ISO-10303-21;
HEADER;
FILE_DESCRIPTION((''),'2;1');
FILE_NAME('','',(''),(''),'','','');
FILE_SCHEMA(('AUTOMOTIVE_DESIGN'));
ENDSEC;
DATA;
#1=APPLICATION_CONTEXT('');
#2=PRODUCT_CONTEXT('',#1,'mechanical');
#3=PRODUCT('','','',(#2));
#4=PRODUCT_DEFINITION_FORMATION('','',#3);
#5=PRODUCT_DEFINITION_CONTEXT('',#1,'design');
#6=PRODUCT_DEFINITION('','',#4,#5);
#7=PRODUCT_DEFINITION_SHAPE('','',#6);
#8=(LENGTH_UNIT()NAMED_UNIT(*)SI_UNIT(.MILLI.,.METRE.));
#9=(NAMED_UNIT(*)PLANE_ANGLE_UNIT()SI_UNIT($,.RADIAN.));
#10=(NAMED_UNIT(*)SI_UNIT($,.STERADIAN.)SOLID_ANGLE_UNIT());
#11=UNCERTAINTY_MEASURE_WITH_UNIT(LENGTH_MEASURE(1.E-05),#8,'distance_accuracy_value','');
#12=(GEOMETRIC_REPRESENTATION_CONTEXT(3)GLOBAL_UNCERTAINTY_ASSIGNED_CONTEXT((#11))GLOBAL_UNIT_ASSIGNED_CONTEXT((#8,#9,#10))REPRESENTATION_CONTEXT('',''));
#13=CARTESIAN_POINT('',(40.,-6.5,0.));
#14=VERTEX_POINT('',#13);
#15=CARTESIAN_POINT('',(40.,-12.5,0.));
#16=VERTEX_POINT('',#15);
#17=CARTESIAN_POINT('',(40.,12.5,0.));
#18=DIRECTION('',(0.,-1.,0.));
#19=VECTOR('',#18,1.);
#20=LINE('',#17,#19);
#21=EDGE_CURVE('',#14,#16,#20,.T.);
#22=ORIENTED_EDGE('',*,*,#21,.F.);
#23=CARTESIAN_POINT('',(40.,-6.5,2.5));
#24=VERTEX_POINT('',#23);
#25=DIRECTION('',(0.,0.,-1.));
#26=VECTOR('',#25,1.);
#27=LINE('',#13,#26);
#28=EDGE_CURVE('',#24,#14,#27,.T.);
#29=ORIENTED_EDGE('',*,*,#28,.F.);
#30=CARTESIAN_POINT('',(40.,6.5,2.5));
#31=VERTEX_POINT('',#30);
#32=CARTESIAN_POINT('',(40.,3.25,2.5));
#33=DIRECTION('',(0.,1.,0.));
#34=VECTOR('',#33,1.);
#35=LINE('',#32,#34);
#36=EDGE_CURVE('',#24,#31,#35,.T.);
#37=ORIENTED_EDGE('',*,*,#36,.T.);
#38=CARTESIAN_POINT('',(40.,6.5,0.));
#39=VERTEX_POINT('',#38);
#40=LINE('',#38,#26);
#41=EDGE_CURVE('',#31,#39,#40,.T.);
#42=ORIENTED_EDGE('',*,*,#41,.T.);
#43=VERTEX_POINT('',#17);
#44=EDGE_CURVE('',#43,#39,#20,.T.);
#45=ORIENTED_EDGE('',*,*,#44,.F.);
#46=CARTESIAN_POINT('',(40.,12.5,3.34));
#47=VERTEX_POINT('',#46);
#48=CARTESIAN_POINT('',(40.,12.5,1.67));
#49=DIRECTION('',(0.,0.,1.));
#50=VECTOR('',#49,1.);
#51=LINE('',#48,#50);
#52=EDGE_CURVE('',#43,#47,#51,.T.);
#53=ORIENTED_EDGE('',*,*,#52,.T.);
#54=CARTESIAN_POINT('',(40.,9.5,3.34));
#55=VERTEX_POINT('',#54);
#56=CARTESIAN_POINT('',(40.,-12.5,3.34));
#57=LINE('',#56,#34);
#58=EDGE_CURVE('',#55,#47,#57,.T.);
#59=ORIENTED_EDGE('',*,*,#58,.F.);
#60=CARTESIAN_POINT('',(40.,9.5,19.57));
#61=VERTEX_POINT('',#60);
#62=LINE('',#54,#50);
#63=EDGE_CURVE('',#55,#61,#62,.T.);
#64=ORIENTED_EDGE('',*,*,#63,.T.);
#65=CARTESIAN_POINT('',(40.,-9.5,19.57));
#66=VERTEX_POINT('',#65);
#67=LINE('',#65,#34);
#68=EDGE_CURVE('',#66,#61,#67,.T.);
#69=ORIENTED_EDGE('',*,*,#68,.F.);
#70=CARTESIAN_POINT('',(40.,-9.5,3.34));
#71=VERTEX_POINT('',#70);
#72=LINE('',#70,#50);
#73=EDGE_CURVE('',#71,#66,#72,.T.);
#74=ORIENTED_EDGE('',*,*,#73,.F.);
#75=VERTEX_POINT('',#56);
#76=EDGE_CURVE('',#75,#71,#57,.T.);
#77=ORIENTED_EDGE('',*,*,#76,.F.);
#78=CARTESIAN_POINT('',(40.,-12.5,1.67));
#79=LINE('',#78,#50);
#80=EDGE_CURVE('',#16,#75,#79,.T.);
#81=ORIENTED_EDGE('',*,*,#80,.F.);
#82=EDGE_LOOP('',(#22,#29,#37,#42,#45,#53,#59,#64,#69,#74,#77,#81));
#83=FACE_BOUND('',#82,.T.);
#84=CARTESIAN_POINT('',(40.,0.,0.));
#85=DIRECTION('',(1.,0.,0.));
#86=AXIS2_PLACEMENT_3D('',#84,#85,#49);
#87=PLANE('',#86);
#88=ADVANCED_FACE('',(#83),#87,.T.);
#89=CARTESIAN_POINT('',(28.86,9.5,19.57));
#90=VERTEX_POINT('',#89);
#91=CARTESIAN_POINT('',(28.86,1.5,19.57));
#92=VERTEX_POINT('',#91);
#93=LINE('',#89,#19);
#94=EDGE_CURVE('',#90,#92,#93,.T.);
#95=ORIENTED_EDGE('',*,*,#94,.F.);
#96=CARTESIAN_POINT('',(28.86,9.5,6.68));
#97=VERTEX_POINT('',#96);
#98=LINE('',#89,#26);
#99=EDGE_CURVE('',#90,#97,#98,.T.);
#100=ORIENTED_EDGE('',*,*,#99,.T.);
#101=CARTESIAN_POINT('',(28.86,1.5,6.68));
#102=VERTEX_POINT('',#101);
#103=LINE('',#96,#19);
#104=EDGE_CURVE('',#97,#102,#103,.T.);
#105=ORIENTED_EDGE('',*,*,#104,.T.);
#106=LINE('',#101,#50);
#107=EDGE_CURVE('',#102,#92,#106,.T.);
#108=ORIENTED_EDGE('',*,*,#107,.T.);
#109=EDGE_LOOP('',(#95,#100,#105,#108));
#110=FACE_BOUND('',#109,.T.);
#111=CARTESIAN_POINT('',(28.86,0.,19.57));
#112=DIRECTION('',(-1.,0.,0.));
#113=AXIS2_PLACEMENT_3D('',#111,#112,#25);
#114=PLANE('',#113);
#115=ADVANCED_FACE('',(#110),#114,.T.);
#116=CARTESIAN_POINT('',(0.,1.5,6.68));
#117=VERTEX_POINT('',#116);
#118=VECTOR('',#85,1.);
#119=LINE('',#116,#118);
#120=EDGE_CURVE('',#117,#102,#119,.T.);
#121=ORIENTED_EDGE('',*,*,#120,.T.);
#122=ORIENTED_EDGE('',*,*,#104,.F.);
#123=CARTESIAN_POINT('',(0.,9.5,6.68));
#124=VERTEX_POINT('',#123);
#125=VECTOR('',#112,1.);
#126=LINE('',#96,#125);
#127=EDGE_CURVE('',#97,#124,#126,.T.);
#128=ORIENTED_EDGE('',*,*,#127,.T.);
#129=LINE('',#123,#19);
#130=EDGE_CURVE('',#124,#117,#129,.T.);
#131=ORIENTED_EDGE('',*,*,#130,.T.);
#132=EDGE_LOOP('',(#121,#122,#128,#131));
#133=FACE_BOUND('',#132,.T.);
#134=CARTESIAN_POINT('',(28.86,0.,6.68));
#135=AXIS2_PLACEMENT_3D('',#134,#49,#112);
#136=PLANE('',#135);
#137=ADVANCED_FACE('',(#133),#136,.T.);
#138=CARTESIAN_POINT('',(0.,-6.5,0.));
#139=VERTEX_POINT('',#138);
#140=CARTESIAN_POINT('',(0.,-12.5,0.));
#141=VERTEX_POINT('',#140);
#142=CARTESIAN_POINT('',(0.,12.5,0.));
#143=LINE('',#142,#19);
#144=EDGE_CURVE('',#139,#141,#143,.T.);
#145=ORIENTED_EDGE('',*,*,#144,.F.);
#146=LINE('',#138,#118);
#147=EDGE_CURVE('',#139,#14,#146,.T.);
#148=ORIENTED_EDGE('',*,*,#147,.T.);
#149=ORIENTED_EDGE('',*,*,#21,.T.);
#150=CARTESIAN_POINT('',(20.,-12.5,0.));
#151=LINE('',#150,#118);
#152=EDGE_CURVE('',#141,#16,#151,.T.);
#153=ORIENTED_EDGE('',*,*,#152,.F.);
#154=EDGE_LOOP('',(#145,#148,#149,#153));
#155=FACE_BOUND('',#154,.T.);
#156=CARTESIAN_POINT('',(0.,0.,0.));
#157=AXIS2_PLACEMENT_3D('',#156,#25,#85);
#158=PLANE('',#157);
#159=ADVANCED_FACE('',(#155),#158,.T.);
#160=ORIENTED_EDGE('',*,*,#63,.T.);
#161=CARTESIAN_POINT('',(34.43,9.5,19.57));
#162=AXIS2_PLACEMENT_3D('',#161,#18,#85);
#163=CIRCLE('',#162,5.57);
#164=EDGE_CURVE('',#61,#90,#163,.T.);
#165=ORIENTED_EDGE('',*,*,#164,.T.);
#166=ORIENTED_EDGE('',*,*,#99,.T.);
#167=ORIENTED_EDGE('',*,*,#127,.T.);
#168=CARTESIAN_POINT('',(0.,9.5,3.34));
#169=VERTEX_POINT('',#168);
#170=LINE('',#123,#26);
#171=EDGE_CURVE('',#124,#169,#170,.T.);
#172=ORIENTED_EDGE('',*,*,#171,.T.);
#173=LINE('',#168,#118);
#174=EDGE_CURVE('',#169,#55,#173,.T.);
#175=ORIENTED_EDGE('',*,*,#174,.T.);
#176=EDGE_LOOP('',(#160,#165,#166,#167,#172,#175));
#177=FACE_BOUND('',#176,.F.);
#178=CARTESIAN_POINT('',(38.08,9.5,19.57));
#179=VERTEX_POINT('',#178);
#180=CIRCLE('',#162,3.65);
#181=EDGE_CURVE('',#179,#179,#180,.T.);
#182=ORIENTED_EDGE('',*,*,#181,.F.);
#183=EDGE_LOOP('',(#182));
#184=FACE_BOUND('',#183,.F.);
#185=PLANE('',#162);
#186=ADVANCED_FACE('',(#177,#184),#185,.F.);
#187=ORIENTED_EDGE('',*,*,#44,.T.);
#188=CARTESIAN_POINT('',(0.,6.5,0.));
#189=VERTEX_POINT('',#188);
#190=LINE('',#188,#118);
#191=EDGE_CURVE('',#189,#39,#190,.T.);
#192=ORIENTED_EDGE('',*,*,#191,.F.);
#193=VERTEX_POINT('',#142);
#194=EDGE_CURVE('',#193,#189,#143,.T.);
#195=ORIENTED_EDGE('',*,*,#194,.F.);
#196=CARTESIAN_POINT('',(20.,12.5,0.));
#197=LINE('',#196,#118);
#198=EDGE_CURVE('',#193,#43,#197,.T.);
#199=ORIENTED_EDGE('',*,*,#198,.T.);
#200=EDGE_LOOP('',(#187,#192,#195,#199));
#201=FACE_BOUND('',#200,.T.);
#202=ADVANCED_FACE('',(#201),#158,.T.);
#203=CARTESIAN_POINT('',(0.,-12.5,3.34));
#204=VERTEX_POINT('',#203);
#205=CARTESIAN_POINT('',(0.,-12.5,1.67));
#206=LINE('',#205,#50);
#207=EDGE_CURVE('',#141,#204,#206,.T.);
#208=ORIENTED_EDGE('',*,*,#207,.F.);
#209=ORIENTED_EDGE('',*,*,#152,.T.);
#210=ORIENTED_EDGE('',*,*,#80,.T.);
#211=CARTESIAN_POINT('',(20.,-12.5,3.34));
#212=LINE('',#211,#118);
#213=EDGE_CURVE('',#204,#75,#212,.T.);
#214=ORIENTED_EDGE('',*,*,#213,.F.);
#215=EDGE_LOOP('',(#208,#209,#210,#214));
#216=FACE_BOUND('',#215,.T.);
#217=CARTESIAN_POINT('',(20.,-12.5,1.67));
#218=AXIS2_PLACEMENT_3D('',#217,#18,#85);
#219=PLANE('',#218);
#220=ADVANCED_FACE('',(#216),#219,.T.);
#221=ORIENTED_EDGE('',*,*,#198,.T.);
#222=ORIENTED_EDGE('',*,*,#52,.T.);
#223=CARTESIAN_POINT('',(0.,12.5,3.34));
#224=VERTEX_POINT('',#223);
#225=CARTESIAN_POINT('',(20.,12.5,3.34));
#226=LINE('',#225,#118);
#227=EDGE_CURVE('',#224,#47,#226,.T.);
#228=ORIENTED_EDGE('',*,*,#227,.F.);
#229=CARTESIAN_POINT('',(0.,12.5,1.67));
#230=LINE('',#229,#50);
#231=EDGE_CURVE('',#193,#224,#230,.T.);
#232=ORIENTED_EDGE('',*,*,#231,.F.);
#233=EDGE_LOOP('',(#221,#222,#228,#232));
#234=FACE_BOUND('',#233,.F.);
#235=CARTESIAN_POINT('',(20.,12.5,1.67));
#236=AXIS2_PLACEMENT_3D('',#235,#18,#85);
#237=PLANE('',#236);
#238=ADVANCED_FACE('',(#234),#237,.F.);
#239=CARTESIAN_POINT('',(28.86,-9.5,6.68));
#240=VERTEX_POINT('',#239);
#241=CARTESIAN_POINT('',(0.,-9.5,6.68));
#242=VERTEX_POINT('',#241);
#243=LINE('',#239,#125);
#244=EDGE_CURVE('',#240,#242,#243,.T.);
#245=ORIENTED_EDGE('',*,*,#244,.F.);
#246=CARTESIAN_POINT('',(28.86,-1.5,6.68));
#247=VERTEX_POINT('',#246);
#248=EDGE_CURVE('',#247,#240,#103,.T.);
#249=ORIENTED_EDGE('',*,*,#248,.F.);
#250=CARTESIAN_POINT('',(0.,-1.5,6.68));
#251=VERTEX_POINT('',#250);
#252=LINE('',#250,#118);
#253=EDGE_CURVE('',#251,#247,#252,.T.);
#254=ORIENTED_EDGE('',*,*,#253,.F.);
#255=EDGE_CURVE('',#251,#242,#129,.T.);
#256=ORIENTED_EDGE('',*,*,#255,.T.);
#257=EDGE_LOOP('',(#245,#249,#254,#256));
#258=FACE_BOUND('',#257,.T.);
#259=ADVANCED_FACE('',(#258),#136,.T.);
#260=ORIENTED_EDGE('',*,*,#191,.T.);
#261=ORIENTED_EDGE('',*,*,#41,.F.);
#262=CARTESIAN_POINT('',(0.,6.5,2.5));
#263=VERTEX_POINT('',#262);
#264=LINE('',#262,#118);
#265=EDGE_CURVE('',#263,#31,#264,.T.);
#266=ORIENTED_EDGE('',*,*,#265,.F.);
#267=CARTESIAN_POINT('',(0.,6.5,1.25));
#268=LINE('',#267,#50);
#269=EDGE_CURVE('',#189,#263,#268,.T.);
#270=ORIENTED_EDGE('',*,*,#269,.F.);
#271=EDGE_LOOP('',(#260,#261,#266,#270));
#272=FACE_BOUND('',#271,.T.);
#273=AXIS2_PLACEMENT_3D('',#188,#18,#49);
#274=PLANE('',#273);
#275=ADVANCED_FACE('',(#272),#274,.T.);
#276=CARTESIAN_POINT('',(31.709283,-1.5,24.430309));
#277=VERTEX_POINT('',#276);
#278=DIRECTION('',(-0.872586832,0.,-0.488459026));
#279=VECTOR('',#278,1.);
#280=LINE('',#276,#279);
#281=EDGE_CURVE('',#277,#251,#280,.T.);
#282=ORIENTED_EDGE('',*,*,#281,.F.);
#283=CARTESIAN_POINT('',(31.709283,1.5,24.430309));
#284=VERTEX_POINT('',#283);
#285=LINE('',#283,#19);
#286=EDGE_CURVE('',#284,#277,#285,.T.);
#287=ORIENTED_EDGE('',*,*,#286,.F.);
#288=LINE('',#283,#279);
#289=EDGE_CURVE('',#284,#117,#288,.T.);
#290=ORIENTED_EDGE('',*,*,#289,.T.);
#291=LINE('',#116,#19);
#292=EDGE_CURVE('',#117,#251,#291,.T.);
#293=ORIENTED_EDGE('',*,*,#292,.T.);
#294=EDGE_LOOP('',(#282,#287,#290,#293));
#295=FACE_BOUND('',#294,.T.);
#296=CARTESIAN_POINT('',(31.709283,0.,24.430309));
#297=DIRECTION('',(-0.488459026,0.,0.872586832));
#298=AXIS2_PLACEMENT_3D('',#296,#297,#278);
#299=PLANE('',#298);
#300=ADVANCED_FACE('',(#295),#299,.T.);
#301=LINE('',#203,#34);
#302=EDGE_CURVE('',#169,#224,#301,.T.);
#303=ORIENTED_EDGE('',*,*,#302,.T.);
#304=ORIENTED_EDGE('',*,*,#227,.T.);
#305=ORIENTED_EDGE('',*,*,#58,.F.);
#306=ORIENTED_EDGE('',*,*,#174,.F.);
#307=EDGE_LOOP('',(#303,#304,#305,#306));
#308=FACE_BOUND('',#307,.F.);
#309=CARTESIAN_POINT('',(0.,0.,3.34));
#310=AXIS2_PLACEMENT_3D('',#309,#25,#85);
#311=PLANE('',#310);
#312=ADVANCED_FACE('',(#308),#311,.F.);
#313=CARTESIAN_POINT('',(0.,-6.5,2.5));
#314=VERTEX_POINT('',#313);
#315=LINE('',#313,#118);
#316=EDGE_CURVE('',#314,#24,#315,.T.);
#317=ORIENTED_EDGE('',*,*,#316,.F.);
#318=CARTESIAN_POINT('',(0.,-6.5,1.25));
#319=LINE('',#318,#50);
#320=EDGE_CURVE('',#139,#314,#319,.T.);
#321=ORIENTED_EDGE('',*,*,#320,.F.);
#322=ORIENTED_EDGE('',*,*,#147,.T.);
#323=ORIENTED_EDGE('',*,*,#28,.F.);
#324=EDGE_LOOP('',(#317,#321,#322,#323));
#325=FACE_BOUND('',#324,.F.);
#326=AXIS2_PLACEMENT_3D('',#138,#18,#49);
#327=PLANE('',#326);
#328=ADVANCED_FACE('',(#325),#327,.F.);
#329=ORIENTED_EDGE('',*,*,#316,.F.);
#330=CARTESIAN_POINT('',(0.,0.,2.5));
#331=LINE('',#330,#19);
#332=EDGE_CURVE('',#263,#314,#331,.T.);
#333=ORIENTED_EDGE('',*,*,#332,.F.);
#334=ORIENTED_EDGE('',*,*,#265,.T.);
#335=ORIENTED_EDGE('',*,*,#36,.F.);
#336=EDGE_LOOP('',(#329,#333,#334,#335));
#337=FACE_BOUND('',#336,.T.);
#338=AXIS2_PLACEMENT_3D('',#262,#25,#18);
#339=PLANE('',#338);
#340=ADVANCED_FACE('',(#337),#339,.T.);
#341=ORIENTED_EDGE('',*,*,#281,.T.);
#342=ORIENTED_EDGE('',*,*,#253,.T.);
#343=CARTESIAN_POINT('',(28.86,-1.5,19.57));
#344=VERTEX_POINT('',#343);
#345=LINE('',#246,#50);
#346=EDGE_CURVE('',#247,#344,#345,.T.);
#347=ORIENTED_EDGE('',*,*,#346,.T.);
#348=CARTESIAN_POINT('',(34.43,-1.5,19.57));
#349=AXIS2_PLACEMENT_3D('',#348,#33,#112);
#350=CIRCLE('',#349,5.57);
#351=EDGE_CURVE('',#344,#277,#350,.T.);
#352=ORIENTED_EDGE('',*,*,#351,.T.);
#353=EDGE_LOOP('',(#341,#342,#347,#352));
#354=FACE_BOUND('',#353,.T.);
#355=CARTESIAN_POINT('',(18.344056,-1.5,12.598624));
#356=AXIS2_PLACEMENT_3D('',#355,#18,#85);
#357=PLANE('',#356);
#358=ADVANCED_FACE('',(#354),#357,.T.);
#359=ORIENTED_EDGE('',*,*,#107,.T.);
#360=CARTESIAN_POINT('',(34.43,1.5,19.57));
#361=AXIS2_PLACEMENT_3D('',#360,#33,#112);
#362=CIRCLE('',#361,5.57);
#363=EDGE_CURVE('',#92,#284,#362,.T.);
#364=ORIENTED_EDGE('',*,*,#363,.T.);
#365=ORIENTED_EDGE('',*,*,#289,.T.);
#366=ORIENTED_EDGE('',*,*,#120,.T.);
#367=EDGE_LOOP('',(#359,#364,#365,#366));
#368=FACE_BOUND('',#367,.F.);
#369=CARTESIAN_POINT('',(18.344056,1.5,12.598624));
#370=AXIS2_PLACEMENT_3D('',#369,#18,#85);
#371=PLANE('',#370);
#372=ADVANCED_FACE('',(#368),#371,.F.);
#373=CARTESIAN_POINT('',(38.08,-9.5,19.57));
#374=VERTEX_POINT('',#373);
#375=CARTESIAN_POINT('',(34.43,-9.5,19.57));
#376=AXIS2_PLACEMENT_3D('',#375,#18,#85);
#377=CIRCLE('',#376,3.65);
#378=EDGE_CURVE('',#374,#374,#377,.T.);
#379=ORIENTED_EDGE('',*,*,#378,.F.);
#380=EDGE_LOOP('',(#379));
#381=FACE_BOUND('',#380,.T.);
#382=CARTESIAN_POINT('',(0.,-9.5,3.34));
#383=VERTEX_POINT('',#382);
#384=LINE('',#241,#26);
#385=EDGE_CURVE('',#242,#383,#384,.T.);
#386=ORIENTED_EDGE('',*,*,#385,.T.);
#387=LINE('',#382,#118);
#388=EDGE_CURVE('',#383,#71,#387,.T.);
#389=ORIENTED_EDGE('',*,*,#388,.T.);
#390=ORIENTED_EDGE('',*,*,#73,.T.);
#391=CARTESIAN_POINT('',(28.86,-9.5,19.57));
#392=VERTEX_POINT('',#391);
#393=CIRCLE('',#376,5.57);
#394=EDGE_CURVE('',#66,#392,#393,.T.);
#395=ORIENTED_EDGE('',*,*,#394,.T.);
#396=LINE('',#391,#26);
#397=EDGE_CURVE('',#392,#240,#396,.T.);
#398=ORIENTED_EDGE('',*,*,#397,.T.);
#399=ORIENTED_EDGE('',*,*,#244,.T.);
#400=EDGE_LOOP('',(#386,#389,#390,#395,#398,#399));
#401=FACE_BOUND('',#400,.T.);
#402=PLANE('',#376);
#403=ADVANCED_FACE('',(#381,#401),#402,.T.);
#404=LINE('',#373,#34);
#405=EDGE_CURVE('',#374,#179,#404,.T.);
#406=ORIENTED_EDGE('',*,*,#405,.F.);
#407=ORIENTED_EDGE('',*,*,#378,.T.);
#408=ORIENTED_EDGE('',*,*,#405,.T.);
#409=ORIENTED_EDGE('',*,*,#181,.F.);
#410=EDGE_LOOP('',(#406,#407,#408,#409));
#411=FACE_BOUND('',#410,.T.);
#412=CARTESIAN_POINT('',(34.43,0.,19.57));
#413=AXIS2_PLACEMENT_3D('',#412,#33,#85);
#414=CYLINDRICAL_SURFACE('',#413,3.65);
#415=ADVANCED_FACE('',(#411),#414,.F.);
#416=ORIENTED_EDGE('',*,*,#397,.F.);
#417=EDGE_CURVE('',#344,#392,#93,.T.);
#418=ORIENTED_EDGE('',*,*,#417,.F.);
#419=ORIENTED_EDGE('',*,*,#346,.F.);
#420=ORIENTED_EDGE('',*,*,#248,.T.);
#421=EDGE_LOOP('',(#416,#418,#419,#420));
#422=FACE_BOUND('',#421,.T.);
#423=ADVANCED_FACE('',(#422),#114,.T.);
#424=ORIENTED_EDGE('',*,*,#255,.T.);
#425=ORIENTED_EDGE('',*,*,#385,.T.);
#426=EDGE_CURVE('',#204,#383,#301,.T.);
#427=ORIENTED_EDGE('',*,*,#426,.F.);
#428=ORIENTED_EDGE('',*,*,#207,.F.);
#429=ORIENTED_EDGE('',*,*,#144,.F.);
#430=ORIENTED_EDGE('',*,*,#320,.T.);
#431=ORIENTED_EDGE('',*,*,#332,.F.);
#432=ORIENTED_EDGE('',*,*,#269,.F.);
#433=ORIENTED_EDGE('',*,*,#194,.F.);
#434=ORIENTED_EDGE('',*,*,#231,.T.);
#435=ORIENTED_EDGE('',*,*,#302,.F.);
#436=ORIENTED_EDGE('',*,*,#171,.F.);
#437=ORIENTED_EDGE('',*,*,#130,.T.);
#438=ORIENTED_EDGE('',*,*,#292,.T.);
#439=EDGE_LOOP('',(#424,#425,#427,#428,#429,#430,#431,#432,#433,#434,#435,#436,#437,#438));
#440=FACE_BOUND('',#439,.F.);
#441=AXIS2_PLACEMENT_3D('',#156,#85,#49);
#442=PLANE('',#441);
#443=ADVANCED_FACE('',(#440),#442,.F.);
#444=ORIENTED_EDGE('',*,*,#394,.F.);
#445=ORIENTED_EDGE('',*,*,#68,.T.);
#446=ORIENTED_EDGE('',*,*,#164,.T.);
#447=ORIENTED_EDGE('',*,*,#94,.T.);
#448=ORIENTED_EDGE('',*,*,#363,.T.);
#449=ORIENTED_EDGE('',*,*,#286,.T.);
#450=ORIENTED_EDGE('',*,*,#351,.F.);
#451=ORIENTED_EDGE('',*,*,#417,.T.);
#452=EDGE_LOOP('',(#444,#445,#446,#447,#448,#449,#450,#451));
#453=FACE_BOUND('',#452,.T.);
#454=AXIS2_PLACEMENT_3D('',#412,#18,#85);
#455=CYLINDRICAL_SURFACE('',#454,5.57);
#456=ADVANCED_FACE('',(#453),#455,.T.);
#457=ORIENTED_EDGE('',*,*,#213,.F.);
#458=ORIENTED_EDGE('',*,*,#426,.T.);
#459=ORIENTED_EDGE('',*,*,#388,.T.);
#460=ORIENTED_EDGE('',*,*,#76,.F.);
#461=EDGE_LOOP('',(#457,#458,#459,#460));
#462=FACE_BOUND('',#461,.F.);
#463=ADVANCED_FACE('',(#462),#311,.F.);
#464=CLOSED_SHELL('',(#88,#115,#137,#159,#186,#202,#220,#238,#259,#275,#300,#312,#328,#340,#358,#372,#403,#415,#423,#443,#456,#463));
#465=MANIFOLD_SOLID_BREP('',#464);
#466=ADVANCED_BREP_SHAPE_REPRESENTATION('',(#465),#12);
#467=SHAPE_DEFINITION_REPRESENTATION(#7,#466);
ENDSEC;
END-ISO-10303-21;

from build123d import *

# Parameters (mm, degrees)
F0_R     = 3.65
F1_DEPTH = 9.5
F0_W     = 40
F0_H     = 3.34
F2_DEPTH = 12.5
F4_DEPTH = 1.5
F5_W     = 13
F5_H     = 2.5
F6_DEPTH = 40.001


with BuildPart() as f1:
    # F0 (on Front) → F1 (new body, symmetric)
    with BuildSketch(Plane.XZ):
        with BuildLine():
            ThreePointArc((28.86, 19.57), (34.43, 14), (40, 19.57))
            ThreePointArc((40, 19.57), (34.43, 25.14), (28.86, 19.57))
        make_face()
        with Locations((34.43, 19.57)):
            Circle(F0_R, mode=Mode.SUBTRACT)
        with BuildLine():
            Line((40, 3.34), (40, 19.57))
            ThreePointArc((40, 19.57), (34.43, 14), (28.86, 19.57))
            Line((28.86, 19.57), (28.86, 6.68))
            Line((28.86, 6.68), (0, 6.68))
            Line((0, 6.68), (0, 3.34))
            Line((0, 3.34), (40, 3.34))
        make_face()
    extrude(amount=F1_DEPTH, both=True)

    # F0 (on Front) → F2 (join, symmetric)
    with BuildSketch(Plane.XZ):
        with Locations((20, 1.67)):
            Rectangle(F0_W, F0_H)
    extrude(amount=F2_DEPTH, both=True)

    # F3 (on Front) → F4 (join, symmetric)
    with BuildSketch(Plane.XZ):
        with BuildLine():
            ThreePointArc((28.86, 19.57), (29.6248313017, 22.3869582498), (31.7092832247, 24.4303086557))
            Line((31.7092832247, 24.4303086557), (0, 6.68))
            Line((0, 6.68), (28.86, 6.68))
            Line((28.86, 6.68), (28.86, 19.57))
        make_face()
    extrude(amount=F4_DEPTH, both=True)

    # F5 (on face) → F6 (cut, through all)
    with BuildSketch(Plane(origin=(0, 0, 0), x_dir=(0, -1, 0), z_dir=(-1, 0, 0))):
        with Locations((0, 1.25)):
            Rectangle(F5_W, F5_H)
    extrude(amount=-F6_DEPTH, mode=Mode.SUBTRACT)


solid = f1.part
